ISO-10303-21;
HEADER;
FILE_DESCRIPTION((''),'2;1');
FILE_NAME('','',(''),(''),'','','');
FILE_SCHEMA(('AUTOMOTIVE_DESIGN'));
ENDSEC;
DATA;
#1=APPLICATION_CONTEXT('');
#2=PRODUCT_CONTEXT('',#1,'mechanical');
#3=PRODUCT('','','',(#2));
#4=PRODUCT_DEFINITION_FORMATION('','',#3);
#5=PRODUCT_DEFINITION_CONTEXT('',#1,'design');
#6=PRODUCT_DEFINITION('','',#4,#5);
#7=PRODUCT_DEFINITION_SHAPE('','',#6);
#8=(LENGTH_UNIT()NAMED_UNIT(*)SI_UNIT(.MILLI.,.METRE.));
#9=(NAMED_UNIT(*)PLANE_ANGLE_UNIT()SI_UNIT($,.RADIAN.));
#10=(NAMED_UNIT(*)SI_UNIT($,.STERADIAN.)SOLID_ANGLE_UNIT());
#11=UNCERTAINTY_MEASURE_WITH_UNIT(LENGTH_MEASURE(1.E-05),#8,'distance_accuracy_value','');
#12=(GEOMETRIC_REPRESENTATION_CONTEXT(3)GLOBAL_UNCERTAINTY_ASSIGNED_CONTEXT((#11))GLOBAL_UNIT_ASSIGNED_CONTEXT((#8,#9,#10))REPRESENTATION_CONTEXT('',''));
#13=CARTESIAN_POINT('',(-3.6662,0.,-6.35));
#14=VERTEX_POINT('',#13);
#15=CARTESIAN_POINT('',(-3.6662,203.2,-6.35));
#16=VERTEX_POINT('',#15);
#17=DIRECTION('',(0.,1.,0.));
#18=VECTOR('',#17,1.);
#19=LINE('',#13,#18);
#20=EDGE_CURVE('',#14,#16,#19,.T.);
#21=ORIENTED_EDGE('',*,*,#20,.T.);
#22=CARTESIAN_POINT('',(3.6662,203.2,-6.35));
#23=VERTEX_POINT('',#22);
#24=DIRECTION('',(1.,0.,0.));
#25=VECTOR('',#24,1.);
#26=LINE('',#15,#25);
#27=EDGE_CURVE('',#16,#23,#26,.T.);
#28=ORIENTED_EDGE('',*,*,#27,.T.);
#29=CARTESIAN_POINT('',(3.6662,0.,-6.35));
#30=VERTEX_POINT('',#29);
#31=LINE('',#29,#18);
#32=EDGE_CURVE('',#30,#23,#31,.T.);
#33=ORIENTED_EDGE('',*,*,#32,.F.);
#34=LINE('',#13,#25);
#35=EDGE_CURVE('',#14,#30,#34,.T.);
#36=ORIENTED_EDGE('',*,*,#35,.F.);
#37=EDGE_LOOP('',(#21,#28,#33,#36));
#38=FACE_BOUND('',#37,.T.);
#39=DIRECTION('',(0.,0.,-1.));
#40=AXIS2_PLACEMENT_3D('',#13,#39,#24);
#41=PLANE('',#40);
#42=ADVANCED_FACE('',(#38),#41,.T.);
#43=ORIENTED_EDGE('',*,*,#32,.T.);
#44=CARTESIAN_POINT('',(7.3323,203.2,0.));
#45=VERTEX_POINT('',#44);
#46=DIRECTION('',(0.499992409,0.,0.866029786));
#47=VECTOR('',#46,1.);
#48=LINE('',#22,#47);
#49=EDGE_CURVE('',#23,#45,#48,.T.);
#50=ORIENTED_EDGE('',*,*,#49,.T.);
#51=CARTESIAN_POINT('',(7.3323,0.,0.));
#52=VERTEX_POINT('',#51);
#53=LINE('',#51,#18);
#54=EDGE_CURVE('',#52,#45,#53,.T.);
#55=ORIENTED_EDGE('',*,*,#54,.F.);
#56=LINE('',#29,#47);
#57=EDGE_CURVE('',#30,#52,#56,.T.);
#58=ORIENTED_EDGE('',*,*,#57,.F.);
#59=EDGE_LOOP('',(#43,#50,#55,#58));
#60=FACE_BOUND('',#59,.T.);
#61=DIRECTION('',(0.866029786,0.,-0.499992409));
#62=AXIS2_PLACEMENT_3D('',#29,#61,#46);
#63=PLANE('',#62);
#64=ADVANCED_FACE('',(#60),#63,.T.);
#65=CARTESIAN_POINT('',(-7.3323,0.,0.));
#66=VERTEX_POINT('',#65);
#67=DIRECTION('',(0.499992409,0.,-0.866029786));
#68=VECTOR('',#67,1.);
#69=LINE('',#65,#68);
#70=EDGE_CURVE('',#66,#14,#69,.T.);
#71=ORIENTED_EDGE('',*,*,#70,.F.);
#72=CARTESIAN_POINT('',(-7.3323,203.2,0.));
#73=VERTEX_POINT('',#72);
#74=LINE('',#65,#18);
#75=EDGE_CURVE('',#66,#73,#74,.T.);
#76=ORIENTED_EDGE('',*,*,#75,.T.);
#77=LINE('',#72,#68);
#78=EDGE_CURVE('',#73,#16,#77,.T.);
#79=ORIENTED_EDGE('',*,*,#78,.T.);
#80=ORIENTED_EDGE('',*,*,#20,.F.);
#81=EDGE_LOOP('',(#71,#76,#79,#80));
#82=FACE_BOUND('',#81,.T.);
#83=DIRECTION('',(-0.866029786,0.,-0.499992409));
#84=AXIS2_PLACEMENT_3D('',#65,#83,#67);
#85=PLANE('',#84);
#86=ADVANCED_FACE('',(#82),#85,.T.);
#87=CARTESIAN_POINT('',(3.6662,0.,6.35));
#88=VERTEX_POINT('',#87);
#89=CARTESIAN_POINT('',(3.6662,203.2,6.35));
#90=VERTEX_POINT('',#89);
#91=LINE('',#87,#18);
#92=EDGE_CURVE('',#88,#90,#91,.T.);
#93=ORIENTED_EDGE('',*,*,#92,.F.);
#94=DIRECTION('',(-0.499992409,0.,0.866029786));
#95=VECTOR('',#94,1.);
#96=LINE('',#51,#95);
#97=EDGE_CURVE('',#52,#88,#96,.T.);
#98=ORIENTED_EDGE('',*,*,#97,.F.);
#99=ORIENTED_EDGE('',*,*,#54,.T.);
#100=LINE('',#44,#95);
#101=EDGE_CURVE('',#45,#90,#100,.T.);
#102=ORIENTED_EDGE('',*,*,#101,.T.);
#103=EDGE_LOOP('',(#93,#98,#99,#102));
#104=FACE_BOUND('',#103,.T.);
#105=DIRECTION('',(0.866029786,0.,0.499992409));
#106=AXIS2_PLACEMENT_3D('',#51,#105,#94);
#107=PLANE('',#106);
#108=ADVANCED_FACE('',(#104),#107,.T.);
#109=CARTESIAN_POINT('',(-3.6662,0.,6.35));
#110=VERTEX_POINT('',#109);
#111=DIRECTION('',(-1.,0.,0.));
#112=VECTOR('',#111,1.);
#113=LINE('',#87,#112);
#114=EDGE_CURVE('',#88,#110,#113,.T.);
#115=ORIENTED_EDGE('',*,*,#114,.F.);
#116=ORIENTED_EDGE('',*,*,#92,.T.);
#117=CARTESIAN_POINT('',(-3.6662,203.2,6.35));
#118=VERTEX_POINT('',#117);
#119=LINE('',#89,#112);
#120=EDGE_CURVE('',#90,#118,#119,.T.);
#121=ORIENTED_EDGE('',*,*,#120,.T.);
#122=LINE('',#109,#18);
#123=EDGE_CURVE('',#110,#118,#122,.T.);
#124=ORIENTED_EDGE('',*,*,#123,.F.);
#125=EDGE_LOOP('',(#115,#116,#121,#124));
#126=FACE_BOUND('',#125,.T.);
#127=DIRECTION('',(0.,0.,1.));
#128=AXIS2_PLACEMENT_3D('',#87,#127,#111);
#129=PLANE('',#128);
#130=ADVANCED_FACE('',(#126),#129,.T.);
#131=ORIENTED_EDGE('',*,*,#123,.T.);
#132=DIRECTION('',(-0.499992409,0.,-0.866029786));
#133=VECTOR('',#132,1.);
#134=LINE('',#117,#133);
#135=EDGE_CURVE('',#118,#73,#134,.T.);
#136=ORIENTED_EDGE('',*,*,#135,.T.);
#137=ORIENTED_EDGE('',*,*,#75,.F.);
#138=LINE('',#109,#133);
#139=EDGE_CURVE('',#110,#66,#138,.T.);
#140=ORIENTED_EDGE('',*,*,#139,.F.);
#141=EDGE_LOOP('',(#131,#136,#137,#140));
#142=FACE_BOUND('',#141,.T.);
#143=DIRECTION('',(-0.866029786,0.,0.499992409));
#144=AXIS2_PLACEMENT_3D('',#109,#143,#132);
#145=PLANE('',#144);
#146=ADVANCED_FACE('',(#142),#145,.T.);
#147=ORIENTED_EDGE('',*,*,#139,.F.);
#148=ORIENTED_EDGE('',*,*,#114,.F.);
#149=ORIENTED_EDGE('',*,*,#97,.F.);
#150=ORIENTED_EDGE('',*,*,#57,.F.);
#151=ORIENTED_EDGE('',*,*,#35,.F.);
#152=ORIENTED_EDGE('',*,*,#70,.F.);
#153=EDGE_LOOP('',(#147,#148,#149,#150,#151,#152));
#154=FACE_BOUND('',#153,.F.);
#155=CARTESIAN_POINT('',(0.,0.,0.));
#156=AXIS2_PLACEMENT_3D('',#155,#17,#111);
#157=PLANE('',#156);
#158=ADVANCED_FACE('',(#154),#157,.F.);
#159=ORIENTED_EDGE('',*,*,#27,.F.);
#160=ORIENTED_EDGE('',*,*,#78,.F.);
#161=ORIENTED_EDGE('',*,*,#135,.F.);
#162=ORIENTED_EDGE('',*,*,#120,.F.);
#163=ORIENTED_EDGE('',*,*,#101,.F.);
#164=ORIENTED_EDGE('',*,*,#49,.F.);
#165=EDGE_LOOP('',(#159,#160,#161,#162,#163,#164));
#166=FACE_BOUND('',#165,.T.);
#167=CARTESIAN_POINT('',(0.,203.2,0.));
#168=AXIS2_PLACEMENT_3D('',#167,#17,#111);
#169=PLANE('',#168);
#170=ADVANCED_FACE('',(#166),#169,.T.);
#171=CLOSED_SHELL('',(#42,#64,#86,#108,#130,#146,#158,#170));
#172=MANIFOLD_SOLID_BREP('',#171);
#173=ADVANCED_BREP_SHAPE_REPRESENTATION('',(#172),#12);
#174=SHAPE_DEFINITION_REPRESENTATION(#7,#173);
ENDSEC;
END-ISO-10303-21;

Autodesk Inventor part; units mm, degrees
ref_plane "YZ Plane" through (0, 0, 0) normal (1, 0, 0) x (0, 1, 0)
ref_plane "XZ Plane" through (0, 0, 0) normal (0, 1, 0) x (-1, 0, 0)
ref_plane "XY Plane" through (0, 0, 0) normal (0, 0, 1) x (1, 0, 0)
sketch "Sketch1" plane through (0, 0, 0) normal (0, 1, 0) x (-1, 0, 0)
  line L0 (7.3323, 0) -> (3.6662, -6.35)
  line L1 (3.6662, -6.35) -> (-3.6662, -6.35)
  line L2 (-3.6662, -6.35) -> (-7.3323, 0)
  line L3 (-7.3323, 0) -> (-3.6662, 6.35)
  line L4 (-3.6662, 6.35) -> (3.6662, 6.35)
  line L5 (3.6662, 6.35) -> (7.3323, 0)
  point P0 (0, 0)
  point P1 (0, 0)
  dimension "d0" = 12.7
extrude "Extrusion1" add sketch "Sketch1" along normal blind 203.2
properties part number "STOCK,KICKER,HEX" material "Aluminum 6061"
